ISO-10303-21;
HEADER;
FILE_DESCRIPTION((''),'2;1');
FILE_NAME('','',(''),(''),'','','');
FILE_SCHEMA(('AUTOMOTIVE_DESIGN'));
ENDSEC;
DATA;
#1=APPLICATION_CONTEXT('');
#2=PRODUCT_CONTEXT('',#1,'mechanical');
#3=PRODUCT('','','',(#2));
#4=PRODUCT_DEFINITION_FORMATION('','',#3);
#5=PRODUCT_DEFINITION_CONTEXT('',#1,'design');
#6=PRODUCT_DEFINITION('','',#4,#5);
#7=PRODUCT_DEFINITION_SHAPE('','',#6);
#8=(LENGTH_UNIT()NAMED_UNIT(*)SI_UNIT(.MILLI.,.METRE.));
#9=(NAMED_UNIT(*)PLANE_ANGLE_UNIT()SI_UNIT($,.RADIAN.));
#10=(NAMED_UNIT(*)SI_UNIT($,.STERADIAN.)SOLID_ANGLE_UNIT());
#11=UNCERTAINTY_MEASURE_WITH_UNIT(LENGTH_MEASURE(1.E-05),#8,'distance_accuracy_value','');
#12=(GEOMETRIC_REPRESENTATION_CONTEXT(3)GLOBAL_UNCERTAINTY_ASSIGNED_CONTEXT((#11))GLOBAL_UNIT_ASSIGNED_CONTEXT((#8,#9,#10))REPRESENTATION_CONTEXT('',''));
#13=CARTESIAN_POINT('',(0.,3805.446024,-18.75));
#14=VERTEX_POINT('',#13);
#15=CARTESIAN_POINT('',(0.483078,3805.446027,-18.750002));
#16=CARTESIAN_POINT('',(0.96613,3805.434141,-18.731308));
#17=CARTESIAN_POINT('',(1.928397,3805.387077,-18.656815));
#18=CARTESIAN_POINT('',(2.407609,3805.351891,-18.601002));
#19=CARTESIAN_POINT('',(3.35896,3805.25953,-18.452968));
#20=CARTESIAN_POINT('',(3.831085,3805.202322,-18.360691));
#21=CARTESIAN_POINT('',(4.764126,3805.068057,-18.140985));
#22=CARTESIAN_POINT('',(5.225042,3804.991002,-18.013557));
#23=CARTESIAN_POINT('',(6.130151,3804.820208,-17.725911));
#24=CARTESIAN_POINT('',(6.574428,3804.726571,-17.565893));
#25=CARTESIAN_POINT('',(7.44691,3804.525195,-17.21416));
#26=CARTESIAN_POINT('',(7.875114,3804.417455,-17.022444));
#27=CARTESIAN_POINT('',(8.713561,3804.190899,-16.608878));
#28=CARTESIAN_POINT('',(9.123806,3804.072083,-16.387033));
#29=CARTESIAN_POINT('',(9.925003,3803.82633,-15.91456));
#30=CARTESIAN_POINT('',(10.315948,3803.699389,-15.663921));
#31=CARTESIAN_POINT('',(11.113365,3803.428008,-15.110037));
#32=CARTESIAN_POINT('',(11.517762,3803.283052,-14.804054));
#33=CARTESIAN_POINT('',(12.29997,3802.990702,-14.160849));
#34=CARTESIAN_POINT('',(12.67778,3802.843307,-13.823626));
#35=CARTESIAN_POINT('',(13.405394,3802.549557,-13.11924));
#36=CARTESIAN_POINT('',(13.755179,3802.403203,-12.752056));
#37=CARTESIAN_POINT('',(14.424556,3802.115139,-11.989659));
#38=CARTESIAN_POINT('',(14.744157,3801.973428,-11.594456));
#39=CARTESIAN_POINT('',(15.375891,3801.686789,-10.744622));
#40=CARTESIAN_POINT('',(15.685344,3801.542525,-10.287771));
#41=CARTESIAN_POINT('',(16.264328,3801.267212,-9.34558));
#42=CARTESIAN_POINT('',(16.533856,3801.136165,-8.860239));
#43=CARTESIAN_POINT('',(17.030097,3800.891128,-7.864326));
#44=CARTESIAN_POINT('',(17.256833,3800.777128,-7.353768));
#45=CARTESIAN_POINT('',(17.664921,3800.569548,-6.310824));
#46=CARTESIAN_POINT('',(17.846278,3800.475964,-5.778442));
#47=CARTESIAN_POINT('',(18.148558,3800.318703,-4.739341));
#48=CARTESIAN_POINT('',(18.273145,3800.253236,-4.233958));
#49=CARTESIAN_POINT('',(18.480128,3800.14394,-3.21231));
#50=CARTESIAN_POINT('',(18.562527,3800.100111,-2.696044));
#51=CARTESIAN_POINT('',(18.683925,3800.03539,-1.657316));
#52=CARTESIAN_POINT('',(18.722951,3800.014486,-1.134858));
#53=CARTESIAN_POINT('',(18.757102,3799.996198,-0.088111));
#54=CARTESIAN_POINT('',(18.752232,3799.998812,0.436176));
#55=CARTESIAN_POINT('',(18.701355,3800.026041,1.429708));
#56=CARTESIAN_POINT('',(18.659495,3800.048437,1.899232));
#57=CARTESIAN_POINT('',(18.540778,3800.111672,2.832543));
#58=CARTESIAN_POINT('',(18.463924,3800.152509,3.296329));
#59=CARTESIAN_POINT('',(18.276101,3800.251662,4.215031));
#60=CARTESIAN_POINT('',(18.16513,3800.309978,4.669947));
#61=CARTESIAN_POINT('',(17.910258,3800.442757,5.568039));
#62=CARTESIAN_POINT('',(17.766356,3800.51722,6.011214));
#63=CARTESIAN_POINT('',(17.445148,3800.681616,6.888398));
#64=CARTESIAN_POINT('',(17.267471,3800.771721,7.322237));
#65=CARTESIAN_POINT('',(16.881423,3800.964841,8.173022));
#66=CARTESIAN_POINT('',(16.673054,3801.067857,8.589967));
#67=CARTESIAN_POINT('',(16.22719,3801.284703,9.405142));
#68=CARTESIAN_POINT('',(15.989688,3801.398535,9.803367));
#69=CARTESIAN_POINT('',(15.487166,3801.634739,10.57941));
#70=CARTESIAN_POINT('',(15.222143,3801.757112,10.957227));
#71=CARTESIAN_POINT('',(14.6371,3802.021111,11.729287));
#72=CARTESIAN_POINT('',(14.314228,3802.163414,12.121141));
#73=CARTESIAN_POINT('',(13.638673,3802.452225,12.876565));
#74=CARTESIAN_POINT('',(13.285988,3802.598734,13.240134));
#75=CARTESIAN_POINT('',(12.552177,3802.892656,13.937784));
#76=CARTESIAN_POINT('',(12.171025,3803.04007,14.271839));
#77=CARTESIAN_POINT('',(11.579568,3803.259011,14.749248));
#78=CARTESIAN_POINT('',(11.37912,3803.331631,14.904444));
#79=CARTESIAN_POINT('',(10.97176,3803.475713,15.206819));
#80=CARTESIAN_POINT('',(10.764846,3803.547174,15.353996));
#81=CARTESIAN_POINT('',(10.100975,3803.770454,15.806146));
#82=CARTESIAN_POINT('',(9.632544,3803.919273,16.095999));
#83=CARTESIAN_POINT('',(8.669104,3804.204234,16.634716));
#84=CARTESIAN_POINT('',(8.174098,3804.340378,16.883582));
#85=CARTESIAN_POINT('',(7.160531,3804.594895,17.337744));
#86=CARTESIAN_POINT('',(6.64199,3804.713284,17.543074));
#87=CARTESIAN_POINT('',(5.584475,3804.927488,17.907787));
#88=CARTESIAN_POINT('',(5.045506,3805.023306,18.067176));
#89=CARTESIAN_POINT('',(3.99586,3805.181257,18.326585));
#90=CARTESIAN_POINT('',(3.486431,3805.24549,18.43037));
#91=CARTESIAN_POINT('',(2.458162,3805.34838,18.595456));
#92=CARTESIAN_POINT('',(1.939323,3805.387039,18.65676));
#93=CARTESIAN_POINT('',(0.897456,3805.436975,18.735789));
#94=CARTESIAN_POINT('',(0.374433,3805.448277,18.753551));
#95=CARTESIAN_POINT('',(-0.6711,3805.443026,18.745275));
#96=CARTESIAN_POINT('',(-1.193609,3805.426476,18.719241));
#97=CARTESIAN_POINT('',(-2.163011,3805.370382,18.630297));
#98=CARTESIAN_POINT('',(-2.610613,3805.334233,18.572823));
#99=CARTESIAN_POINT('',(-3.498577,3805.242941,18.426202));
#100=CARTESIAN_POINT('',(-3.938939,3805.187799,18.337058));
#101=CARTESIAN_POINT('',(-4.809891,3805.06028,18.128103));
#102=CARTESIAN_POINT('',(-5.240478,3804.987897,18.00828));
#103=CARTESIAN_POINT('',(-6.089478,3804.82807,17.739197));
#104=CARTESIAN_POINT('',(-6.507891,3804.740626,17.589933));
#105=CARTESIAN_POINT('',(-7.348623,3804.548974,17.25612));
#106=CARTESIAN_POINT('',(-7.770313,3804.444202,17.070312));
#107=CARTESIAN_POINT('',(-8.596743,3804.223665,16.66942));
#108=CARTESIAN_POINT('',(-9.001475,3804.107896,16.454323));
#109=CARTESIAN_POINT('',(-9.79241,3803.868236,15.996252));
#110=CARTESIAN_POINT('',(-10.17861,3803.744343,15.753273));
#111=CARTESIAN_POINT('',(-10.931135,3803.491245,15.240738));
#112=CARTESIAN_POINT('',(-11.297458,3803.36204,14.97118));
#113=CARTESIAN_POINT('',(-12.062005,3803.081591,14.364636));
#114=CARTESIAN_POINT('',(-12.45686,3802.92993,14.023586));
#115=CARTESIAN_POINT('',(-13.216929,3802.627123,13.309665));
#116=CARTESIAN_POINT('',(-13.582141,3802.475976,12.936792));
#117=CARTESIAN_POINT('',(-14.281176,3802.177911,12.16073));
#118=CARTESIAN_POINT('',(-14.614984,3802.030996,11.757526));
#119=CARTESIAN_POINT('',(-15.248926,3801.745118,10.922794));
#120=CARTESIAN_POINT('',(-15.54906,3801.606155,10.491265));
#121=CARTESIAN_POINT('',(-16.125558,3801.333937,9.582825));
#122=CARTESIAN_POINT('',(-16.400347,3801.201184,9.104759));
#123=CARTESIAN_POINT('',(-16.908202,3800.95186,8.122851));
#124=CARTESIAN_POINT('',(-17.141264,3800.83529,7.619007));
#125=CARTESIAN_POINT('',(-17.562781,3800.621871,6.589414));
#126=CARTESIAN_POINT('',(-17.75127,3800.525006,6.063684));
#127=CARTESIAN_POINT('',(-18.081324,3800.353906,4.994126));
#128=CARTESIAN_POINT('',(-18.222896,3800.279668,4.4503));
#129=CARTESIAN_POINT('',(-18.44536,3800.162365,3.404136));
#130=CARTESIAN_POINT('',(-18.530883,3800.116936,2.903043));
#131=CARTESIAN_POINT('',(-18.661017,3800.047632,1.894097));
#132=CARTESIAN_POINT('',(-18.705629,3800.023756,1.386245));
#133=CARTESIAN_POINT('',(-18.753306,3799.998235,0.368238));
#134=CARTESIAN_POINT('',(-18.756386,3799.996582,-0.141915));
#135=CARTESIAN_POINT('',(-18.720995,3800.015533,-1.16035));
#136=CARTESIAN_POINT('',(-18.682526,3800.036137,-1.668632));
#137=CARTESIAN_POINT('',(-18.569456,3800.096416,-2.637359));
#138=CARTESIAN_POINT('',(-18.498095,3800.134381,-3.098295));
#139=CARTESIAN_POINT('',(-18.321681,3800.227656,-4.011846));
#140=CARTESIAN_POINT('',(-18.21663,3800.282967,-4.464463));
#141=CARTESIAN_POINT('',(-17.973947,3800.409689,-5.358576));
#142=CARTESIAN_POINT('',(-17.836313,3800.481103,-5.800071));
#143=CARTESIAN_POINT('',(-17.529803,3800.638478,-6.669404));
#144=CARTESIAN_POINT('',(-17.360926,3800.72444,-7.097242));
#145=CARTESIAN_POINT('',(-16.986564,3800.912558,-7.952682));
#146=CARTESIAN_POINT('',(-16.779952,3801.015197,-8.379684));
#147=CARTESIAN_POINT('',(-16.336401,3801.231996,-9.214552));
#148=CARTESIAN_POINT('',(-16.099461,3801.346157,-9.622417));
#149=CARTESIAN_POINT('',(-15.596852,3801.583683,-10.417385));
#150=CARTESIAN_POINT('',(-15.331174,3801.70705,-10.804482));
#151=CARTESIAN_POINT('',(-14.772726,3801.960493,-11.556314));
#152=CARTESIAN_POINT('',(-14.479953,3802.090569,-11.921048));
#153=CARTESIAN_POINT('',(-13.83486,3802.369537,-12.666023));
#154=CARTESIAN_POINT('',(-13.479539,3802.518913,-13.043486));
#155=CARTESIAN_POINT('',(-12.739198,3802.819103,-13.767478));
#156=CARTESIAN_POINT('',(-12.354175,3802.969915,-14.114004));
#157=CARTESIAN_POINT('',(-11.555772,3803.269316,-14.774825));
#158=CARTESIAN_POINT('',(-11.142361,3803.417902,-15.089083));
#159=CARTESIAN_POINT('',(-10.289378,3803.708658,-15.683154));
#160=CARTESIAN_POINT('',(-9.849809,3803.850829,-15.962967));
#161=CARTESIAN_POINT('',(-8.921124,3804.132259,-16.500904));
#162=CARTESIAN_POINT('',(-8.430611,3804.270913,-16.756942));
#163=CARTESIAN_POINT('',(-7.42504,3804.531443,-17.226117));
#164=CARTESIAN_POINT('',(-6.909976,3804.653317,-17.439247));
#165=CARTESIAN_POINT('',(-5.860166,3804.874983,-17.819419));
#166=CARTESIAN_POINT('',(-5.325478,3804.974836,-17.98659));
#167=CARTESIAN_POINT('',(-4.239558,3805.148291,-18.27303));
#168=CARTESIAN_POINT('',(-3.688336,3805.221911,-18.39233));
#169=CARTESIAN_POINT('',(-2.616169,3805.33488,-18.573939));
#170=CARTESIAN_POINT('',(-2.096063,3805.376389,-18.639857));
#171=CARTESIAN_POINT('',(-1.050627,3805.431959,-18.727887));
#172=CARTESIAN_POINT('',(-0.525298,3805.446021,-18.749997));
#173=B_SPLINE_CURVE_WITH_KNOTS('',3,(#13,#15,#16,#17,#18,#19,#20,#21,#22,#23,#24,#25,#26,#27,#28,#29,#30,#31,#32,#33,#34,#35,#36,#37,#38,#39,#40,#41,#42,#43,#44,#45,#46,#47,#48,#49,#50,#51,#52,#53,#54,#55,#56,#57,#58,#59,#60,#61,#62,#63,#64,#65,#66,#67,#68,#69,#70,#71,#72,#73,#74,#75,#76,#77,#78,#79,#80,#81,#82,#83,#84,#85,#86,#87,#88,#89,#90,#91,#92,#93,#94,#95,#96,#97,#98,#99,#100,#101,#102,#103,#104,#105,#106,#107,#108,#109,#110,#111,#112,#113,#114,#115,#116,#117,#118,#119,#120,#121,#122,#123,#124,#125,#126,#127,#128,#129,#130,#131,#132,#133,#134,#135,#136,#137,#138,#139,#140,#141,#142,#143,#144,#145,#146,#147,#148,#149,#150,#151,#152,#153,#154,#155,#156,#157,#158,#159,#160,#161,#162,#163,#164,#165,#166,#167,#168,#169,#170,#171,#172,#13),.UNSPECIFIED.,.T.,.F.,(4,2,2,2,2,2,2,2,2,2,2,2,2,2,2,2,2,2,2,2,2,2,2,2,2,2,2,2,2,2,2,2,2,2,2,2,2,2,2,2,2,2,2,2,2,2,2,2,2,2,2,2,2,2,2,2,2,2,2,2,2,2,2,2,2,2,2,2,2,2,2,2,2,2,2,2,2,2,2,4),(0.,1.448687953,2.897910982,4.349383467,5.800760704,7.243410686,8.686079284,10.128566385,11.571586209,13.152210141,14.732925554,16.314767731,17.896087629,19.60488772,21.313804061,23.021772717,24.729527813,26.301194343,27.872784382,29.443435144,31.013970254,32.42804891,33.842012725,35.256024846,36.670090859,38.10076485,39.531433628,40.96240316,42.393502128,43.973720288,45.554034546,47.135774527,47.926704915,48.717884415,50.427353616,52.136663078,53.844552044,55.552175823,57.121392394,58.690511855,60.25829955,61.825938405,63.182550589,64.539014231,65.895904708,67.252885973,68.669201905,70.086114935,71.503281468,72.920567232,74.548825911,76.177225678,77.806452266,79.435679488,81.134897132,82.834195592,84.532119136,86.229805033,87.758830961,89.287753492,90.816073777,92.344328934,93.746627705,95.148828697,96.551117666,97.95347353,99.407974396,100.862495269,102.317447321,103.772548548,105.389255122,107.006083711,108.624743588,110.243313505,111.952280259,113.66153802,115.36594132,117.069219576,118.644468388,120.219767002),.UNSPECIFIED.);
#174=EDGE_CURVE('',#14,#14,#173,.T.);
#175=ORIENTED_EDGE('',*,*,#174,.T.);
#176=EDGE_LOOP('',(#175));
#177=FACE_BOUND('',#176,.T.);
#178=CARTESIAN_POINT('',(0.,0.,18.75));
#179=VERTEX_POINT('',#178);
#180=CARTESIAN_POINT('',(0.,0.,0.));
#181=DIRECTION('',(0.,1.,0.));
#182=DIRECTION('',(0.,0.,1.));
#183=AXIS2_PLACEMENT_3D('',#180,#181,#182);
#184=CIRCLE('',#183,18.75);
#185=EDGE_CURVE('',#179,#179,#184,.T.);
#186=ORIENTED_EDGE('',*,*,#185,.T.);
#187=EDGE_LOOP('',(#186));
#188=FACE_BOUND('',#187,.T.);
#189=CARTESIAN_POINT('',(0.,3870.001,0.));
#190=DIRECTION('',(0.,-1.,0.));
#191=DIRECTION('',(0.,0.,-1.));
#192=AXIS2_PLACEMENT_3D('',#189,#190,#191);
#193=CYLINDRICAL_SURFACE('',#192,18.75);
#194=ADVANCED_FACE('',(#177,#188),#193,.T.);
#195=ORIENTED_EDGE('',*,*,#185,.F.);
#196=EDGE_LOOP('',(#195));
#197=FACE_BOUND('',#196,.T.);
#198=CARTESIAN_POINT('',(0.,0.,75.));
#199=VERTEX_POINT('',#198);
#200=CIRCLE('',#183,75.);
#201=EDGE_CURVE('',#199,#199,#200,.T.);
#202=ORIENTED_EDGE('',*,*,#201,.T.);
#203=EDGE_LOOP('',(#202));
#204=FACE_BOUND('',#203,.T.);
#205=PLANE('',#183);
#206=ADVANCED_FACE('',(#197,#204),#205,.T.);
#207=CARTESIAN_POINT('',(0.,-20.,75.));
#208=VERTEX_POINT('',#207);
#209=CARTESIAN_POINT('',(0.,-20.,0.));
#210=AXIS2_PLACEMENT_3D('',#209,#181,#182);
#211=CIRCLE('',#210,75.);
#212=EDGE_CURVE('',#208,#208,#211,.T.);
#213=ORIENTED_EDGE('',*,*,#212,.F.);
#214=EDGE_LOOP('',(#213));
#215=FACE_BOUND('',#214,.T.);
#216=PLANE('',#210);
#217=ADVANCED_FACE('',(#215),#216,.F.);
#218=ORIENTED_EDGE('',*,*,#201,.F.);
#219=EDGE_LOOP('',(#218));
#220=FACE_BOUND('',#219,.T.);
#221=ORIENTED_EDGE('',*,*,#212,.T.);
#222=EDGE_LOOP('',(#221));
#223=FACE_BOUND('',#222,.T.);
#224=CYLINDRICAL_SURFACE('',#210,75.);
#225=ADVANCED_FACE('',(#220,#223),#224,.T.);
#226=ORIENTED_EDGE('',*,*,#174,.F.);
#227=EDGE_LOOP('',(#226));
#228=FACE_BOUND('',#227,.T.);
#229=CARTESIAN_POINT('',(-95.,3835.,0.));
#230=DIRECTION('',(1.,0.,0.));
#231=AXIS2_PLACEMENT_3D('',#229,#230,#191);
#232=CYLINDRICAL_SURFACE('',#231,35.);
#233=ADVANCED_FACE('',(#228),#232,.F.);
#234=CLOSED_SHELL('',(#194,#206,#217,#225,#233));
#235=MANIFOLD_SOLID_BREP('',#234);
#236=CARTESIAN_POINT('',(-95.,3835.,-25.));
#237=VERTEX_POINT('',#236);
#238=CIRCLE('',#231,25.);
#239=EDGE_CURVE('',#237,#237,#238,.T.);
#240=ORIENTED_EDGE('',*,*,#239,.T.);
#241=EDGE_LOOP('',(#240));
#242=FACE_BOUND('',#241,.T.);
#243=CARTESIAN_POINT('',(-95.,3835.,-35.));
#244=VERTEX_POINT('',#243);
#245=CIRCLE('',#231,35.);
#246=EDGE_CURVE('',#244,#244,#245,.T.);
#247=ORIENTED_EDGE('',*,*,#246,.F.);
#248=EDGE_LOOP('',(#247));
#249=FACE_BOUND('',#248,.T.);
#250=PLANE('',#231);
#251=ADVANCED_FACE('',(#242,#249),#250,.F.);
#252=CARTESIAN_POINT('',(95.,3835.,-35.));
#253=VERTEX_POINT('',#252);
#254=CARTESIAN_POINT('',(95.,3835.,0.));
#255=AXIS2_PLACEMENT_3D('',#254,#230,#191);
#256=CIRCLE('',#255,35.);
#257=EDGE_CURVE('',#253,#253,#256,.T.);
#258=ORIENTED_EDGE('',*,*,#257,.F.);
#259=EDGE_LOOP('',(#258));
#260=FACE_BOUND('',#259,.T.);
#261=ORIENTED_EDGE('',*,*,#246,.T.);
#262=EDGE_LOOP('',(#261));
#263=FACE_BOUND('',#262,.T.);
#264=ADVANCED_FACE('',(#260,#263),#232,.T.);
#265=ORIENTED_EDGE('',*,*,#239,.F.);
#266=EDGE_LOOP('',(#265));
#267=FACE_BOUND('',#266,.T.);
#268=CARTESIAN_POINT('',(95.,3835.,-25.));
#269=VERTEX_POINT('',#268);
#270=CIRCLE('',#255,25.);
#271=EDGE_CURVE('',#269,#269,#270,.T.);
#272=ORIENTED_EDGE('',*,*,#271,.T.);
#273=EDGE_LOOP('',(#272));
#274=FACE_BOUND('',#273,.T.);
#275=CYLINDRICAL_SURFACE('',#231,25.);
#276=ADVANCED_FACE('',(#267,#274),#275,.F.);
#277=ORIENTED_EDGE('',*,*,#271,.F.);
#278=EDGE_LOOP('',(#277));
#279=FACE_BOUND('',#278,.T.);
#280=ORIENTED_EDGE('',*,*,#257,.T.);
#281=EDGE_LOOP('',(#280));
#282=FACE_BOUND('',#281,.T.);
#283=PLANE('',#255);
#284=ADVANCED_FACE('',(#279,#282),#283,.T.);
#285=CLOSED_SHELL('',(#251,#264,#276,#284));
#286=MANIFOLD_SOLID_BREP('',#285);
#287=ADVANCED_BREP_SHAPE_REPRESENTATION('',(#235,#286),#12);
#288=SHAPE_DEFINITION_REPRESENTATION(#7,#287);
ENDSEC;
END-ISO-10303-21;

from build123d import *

# Parameters (mm, degrees)
KLIP_SKETCH1_R                = 75
KLIP_BOSS_EXTRUDE1_DEPTH      = 20
KLIP_BOSS_EXTRUDE3_DEPTH      = 95
KLIP_BOSS_EXTRUDE3_DEPTH_BACK = 95
KLIP_SKETCH3_R                = 35
KLIP_SKETCH3_R_2              = 25
KLIP_BOSS_EXTRUDE2_REACH      = 3873.892
KLIP_BOSS_EXTRUDE2_END_RADIUS = 35
KLIP_SKETCH2_R                = 18.75


with BuildPart() as part:
    # klip_Sketch1 → klip_Boss-Extrude1 (new body)
    with BuildSketch(Plane(origin=(0, 0, 0), x_dir=(1, 0, 0), z_dir=(0, 1, 0))):
        Circle(KLIP_SKETCH1_R)
    extrude(amount=-KLIP_BOSS_EXTRUDE1_DEPTH)

    # klip_Boss-Extrude2: up to this cylinder (the profile starts outside it)
    klip_boss_extrude2_end = Plane(origin=(0, 3835, 0), z_dir=(1, 0, 0)) * Cylinder(KLIP_BOSS_EXTRUDE2_END_RADIUS, 7818.784, mode=Mode.PRIVATE)
    # klip_Sketch2 → klip_Boss-Extrude2 (add, up to the surface)
    with BuildSketch(Plane(origin=(0, 0, 0), x_dir=(1, 0, 0), z_dir=(0, 1, 0)), mode=Mode.PRIVATE) as klip_boss_extrude2_sk1:
        Circle(KLIP_SKETCH2_R)
    klip_boss_extrude2_tool1 = extrude(klip_boss_extrude2_sk1.sketch, amount=KLIP_BOSS_EXTRUDE2_REACH, mode=Mode.PRIVATE) - klip_boss_extrude2_end
    add(klip_boss_extrude2_tool1.solids().sort_by_distance((0, 0, 0))[0])


with BuildPart() as body_2:
    # klip_Sketch3 → klip_Boss-Extrude3 (new, two sides: drawn at the far end of the back side and taken through both)
    with BuildSketch(Plane(origin=(0, 0, 0), x_dir=(0, 0, -1), z_dir=(1, 0, 0)).offset(-KLIP_BOSS_EXTRUDE3_DEPTH_BACK)):
        with Locations((0, 3835)):
            Circle(KLIP_SKETCH3_R)
        with Locations((0, 3835)):
            Circle(KLIP_SKETCH3_R_2, mode=Mode.SUBTRACT)
    extrude(amount=KLIP_BOSS_EXTRUDE3_DEPTH + KLIP_BOSS_EXTRUDE3_DEPTH_BACK)


solid = Compound([part.part, body_2.part])
